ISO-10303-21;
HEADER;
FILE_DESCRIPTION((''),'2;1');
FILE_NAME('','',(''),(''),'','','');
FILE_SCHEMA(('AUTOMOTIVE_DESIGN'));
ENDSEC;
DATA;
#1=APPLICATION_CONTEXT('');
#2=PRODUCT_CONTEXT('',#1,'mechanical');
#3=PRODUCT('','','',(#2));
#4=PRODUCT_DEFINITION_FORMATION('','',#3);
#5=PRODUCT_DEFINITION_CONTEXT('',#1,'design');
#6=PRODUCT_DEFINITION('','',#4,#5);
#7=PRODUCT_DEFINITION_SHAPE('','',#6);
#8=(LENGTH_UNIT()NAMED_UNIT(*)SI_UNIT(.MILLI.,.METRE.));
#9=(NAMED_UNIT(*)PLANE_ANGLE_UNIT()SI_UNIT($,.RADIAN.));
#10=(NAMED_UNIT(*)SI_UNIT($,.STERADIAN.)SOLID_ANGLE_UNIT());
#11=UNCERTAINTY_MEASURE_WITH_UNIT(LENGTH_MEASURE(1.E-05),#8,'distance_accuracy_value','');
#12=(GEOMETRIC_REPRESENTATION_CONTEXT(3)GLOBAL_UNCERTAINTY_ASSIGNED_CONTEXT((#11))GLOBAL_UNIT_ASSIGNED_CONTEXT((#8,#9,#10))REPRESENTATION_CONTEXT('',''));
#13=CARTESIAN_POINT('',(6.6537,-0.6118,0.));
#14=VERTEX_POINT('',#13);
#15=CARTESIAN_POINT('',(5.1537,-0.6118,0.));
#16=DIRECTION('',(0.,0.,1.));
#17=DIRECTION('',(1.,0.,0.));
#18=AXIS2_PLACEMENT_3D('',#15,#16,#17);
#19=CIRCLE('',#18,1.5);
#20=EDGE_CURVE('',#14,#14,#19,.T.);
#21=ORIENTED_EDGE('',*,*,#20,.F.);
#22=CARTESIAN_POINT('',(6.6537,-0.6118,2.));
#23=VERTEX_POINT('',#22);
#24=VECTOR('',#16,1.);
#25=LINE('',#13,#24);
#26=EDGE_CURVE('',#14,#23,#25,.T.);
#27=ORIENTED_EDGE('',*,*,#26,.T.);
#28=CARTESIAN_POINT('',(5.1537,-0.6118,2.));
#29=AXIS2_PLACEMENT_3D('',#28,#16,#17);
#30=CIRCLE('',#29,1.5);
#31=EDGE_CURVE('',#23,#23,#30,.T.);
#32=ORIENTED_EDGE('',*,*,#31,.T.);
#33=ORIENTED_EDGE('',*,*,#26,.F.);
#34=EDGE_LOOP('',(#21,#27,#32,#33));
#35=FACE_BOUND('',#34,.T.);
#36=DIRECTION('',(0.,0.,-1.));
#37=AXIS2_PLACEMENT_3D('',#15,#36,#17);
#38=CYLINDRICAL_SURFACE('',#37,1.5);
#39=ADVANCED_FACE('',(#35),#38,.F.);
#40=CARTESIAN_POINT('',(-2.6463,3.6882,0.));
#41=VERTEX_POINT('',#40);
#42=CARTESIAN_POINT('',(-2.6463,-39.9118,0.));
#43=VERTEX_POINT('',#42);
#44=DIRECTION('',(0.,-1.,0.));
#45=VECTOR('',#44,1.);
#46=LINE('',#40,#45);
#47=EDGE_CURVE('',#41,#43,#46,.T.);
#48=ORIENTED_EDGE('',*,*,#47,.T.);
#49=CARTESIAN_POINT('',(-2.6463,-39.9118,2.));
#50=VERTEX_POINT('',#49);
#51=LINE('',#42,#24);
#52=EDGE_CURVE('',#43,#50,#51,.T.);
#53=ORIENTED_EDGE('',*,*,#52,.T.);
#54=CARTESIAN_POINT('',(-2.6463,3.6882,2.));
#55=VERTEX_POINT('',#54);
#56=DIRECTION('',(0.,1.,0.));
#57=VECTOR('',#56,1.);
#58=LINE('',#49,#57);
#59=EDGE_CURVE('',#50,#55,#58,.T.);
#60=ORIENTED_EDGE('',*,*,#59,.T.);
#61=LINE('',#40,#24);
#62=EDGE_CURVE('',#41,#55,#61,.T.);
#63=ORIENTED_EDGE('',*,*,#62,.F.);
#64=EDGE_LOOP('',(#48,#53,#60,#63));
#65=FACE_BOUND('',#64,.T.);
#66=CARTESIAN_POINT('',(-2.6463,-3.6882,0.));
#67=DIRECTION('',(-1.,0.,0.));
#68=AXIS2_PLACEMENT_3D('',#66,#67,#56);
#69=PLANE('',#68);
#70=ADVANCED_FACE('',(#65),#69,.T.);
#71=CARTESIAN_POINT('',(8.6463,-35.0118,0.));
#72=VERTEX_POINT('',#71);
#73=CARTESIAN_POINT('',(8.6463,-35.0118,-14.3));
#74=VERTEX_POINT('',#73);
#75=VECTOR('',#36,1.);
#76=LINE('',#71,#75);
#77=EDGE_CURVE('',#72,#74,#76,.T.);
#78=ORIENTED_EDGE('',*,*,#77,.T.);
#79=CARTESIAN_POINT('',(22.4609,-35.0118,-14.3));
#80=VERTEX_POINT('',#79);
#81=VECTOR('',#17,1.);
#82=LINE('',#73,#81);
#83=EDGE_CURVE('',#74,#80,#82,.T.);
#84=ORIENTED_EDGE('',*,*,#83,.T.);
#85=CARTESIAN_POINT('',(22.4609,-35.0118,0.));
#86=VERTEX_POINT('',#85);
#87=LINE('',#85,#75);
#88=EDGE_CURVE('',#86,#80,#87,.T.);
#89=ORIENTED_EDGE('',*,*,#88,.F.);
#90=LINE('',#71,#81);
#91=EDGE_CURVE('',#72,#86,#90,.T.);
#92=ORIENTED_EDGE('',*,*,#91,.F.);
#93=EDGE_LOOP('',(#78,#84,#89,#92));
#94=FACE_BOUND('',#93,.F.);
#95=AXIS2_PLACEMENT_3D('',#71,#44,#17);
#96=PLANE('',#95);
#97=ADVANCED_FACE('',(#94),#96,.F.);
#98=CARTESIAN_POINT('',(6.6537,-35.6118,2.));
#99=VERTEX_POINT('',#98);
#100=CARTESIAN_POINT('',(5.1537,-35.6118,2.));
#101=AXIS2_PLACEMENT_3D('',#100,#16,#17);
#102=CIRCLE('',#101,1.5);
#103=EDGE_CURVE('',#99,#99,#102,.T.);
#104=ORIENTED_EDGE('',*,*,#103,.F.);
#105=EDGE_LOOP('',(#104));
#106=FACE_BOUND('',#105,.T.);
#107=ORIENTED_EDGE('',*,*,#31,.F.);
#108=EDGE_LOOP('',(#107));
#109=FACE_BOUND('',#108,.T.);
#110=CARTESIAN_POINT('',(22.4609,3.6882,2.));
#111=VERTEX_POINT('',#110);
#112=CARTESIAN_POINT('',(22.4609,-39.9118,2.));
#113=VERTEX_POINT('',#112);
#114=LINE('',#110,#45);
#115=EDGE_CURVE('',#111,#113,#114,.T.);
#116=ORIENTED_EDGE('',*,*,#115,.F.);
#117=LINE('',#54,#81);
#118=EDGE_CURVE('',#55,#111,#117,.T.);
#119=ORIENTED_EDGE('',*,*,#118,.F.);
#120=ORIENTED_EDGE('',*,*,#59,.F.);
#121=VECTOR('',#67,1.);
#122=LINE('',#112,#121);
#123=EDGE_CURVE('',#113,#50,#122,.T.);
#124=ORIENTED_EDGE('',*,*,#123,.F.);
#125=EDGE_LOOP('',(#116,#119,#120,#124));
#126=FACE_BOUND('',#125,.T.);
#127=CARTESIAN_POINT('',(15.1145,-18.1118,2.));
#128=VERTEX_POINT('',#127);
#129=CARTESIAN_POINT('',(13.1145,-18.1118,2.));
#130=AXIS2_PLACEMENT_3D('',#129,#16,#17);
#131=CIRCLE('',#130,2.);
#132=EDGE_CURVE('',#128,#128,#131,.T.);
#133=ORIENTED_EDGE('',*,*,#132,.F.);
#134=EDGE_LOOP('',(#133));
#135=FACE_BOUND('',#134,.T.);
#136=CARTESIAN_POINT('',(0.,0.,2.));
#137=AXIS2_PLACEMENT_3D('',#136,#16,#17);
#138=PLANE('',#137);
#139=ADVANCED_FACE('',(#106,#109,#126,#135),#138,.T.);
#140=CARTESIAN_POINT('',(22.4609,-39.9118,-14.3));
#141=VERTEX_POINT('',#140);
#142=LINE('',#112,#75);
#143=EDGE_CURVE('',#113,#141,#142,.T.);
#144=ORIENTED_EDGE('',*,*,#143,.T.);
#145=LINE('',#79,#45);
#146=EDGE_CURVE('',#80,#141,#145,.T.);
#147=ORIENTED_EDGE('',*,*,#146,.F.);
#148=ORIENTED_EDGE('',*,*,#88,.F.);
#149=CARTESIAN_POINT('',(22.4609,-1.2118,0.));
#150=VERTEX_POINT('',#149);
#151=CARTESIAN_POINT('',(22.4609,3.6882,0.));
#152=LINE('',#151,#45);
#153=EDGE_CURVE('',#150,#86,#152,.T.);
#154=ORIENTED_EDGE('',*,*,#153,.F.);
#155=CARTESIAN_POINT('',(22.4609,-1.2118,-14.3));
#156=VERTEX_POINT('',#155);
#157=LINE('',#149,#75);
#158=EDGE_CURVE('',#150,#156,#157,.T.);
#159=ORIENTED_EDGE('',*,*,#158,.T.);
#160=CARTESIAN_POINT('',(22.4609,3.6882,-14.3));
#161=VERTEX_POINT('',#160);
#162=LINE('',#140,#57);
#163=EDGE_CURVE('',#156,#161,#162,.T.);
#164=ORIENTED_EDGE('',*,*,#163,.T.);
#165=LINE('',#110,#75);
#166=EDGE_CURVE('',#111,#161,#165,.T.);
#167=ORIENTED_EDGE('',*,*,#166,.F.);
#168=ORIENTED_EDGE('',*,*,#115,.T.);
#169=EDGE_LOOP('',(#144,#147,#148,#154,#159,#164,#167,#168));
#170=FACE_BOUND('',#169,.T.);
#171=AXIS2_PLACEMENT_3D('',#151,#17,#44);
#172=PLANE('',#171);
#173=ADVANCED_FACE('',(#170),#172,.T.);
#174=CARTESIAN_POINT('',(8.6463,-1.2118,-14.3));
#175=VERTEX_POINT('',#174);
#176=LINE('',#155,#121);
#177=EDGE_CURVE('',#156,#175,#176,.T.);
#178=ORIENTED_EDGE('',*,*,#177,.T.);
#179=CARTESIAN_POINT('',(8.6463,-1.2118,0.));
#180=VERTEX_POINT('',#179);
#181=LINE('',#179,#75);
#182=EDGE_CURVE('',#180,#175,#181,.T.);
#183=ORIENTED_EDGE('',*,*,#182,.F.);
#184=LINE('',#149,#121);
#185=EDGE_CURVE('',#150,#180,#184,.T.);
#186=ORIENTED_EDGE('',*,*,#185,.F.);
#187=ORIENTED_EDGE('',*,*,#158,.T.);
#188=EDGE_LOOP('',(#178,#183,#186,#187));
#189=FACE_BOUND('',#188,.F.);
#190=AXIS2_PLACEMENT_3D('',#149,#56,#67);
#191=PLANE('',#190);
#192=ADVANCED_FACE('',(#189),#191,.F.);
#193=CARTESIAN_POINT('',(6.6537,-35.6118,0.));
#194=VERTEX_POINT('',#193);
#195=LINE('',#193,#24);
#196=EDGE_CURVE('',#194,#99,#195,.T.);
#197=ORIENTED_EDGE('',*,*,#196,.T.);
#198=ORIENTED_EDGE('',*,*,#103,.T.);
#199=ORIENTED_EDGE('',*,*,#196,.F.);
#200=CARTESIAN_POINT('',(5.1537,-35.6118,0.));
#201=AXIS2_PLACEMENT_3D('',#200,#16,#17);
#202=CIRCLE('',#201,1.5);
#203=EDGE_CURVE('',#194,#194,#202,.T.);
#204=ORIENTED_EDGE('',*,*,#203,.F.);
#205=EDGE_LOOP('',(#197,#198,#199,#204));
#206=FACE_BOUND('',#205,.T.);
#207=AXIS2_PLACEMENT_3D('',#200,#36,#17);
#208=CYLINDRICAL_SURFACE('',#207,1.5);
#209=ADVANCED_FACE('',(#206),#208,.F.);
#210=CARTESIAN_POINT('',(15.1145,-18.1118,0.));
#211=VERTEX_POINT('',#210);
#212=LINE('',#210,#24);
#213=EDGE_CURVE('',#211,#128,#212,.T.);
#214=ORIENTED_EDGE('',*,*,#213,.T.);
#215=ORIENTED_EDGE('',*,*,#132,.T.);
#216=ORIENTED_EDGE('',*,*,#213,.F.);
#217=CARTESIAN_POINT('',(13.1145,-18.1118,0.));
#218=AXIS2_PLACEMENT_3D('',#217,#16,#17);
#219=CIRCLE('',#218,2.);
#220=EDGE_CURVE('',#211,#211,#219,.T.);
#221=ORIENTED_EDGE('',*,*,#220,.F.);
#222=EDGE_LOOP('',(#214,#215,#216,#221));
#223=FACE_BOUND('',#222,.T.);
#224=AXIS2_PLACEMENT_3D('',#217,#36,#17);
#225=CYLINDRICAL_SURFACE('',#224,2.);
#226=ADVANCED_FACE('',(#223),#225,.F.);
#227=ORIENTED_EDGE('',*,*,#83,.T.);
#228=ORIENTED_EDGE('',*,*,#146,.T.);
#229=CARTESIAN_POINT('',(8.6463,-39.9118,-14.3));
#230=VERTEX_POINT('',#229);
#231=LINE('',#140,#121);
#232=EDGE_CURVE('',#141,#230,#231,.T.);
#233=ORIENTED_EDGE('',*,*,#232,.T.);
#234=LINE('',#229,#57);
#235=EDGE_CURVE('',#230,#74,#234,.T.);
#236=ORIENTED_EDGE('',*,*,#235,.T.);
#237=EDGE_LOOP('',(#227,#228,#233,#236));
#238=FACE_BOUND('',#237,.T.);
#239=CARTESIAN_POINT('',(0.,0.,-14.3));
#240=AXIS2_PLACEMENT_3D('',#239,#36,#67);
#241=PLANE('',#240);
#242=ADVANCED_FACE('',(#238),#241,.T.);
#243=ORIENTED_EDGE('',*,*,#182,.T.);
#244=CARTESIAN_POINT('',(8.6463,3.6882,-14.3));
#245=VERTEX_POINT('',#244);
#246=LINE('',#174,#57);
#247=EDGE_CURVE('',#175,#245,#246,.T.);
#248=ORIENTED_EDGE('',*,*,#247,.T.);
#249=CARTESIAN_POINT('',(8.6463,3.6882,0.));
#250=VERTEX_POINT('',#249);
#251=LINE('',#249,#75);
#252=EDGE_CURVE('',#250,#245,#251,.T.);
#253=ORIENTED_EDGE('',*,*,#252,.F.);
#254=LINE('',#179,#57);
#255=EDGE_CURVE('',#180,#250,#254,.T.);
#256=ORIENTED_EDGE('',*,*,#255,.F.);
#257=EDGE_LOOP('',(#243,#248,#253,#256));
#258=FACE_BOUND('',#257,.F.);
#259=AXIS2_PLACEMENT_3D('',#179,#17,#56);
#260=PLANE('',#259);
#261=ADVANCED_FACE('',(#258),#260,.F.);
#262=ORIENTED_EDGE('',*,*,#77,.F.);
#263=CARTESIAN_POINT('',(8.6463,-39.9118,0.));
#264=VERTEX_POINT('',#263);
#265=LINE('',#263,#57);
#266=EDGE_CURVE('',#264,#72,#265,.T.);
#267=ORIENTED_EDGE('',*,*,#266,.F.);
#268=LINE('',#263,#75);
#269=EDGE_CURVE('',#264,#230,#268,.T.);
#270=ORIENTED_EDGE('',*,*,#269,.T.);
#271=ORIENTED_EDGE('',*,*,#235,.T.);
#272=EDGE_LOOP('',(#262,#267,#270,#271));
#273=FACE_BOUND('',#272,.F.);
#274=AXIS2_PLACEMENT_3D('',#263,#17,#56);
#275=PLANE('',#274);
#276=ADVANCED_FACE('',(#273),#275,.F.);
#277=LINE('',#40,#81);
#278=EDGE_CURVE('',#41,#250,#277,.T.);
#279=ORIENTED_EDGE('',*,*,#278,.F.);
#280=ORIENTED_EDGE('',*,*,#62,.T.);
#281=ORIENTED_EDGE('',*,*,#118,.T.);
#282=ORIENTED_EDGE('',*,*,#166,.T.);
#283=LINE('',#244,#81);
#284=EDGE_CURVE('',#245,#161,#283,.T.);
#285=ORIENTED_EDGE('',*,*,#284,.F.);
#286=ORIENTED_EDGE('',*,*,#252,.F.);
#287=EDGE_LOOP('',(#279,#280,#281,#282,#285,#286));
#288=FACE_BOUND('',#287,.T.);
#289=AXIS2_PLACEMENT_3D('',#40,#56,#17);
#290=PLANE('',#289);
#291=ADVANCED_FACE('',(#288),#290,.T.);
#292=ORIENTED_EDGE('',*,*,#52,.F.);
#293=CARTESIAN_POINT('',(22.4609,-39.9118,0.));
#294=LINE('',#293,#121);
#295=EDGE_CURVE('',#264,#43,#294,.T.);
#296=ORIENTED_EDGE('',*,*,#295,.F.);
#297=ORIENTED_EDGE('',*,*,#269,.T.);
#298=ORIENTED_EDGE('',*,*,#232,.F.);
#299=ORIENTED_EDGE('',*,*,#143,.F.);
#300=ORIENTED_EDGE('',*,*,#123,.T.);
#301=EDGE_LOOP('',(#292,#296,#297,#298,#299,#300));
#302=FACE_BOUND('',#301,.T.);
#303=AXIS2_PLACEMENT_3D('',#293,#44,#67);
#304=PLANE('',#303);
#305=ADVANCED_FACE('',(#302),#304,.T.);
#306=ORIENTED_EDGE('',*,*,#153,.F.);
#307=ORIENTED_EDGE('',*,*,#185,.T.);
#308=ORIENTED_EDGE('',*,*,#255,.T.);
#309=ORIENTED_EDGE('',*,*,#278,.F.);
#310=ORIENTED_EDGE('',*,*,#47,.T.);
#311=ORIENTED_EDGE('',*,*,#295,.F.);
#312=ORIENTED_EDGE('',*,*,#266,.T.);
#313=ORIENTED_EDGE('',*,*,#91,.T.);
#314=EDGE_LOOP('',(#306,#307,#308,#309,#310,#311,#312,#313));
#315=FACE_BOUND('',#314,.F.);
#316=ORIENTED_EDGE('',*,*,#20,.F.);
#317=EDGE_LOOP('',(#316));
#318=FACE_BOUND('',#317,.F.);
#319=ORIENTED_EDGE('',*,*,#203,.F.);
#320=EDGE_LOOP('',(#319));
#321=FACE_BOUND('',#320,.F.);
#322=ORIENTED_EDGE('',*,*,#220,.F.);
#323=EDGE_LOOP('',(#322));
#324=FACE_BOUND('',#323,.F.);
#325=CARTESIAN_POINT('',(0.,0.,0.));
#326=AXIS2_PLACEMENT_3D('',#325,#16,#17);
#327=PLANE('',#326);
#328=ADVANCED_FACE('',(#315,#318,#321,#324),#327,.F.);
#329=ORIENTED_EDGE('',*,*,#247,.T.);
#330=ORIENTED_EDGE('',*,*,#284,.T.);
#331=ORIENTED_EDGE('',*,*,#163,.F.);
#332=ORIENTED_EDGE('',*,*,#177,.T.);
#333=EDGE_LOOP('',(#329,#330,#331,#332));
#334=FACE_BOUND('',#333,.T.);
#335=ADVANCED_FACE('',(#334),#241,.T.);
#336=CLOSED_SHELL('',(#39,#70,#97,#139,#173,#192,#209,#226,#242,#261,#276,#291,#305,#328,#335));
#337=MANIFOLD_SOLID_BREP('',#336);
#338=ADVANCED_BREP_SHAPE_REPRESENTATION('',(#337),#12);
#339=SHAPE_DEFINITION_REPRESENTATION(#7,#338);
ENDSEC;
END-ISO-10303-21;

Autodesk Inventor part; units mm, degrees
ref_plane "YZ Plane" through (0, 0, 0) normal (1, 0, 0) x (0, 1, 0)
sketch "Sketch1" plane through (0, 0, 0) normal (0, 0, 1) x (1, 0, 0)
  line L0 (8.6463, -3.6882) -> (-2.6463, -3.6882) construction
  line L1 (8.6463, 3.6882) -> (8.6463, -3.6882) construction
  line L2 (-2.6463, 3.6882) -> (8.6463, 3.6882) construction
  circle A0 centre (5.1537, -0.6118) radius 1.4 construction
  line L3 (-2.6463, -39.9118) -> (8.6463, -39.9118) construction
  line L4 (8.6463, -39.9118) -> (8.6463, -32.5353) construction
  line L5 (8.6463, -32.5353) -> (-2.6463, -32.5353) construction
  circle A1 centre (5.1537, -35.6118) radius 1.4 construction
  line L6 (8.6463, -35.0118) -> (8.6463, -39.9118) construction
  line L7 (8.6463, -39.9118) -> (25.0537, -39.9118) construction
  line L8 (74.7537, -39.9118) -> (74.7537, -34.8118) construction
  line L9 (74.7537, -34.8118) -> (70.7537, -34.8118) construction
  line L10 (70.7537, -34.8118) -> (70.7537, -35.0118) construction
  line L11 (23.2537, -35.0118) -> (8.6463, -35.0118) construction
  line L12 (8.6463, 3.6882) -> (8.6463, -1.2118) construction
  line L13 (8.6463, -1.2118) -> (23.2537, -1.2118) construction
  line L14 (70.7537, -1.2118) -> (70.7537, -1.4118) construction
  line L15 (70.7537, -1.4118) -> (74.7537, -1.4118) construction
  line L16 (74.7537, -1.4118) -> (74.7537, 3.6882) construction
  line L17 (25.0537, 3.6882) -> (8.6463, 3.6882) construction
  line L18 (19.9537, -11.1118) -> (9.9537, -11.1118) construction
  line L19 (9.9537, -16.4118) -> (9.9537, -11.1118) construction
  line L20 (19.9537, -16.4118) -> (9.9537, -16.4118) construction
  line L21 (19.9537, -16.4118) -> (19.9537, -11.1118) construction
  line L22 (-2.6463, 3.6882) -> (22.4609, 3.6882)
  line L23 (22.4609, 3.6882) -> (22.4609, -39.9118)
  line L24 (22.4609, -39.9118) -> (-2.6463, -39.9118)
  line L25 (-2.6463, -39.9118) -> (-2.6463, 3.6882)
  circle A2 centre (5.1537, -0.6118) radius 1.5
  circle A3 centre (5.1537, -35.6118) radius 1.5
  line L26 (14.5908, -13.5618) -> (14.5908, -11.1118) construction
  line L27 (11.6908, -13.5618) -> (11.6908, -11.1118) construction
  line L28 (14.5908, -25.1118) -> (14.5908, -22.6618) construction
  line L29 (11.6908, -25.1118) -> (11.6908, -22.6618) construction
  circle A4 centre (13.1145, -18.1118) radius 2
  line L30 (-2.6463, -32.5353) -> (-2.6463, -39.9118) projected
  line L31 (34.9537, -32.1118) -> (26.1537, -32.1118) projected
  line L32 (23.2537, -35.0118) -> (26.1537, -32.1118) projected
  line L33 (25.0537, -39.9118) -> (25.0537, -39.3319) projected
  line L34 (26.7161, -37.6695) -> (25.0537, -39.3319) projected
  arc A5 (27.8115, -36.5741) -> (26.7161, -37.6695) centre (28.2537, -38.1118) ccw projected
  line L35 (29.4557, -34.9299) -> (27.8115, -36.5741) projected
  line L36 (36.8518, -34.9299) -> (29.4557, -34.9299) projected
  line L37 (38.496, -36.5741) -> (36.8518, -34.9299) projected
  arc A6 (39.5914, -37.6695) -> (38.496, -36.5741) centre (38.0537, -38.1118) ccw projected
  line L38 (41.2537, -39.3319) -> (39.5914, -37.6695) projected
  line L39 (41.2537, -39.3319) -> (41.2537, -39.9118) projected
  line L40 (41.2537, -39.9118) -> (74.7537, -39.9118) projected
  line L41 (70.7537, -35.0118) -> (44.2537, -35.0118) projected
  line L42 (41.2537, -32.0118) -> (44.2537, -35.0118) projected
  line L43 (34.9537, -32.0118) -> (41.2537, -32.0118) projected
  line L44 (34.9537, -32.0118) -> (34.9537, -32.1118) projected
  line L45 (34.9537, -4.1118) -> (34.9537, -4.2118) projected
  line L46 (34.9537, -4.2118) -> (41.2537, -4.2118) projected
  line L47 (41.2537, -4.2118) -> (44.2537, -1.2118) projected
  line L48 (44.2537, -1.2118) -> (70.7537, -1.2118) projected
  line L49 (74.7537, 3.6882) -> (41.2537, 3.6882) projected
  line L50 (41.2537, 3.6882) -> (41.2537, 3.1083) projected
  line L51 (41.2537, 3.1083) -> (39.5914, 1.446) projected
  arc A7 (38.496, 0.3506) -> (39.5914, 1.446) centre (38.0537, 1.8882) ccw projected
  line L52 (38.496, 0.3506) -> (36.8518, -1.2936) projected
  line L53 (36.8518, -1.2936) -> (29.4557, -1.2936) projected
  line L54 (29.4557, -1.2936) -> (27.8115, 0.3506) projected
  arc A8 (26.7161, 1.446) -> (27.8115, 0.3506) centre (28.2537, 1.8882) ccw projected
  line L55 (26.7161, 1.446) -> (25.0537, 3.1083) projected
  line L56 (25.0537, 3.1083) -> (25.0537, 3.6882) projected
  line L57 (23.2537, -1.2118) -> (26.1537, -4.1118) projected
  line L58 (26.1537, -4.1118) -> (34.9537, -4.1118) projected
  line L59 (-2.6463, 3.6882) -> (-2.6463, -3.6882) projected
  point P0 (0, 0)
  dimension "d0" = 0.1
  dimension "d1" = 0.1
  dimension "d2" = 4
extrude "Extrusion1" add sketch "Sketch1" along normal blind 2
sketch "Sketch2" plane through (0, 0, 0) normal (0, 0, -1) x (-1, 0, 0)
  circle A0 centre (-13.1145, -18.1118) radius 2 construction
  circle A1 centre (-5.1537, -35.6118) radius 1.5 construction
  circle A2 centre (-5.1537, -0.6118) radius 1.5 construction
  line L0 (2.6463, 3.6882) -> (-22.4609, 3.6882) construction
  line L1 (-22.4609, 3.6882) -> (-22.4609, -39.9118) construction
  line L2 (-22.4609, -39.9118) -> (2.6463, -39.9118) construction
  line L3 (2.6463, -39.9118) -> (2.6463, 3.6882) construction
  line L4 (-8.6463, 3.6882) -> (-8.6463, -3.6882) construction
  line L5 (-8.6463, -39.9118) -> (-8.6463, -32.5353) construction
  line L6 (-8.6463, -1.2118) -> (-23.2537, -1.2118) construction
  line L7 (-8.6463, -35.0118) -> (-23.2537, -35.0118) construction
  line L8 (-22.4609, -39.9118) -> (-8.6463, -39.9118)
  line L9 (-8.6463, -39.9118) -> (-8.6463, -35.0118)
  line L10 (-8.6463, -35.0118) -> (-22.4609, -35.0118)
  line L11 (-22.4609, -35.0118) -> (-22.4609, -39.9118)
  line L12 (-22.4609, -39.9118) -> (-22.4609, 3.6882) projected
  line L13 (-22.4609, -1.2118) -> (-8.6463, -1.2118)
  line L14 (-8.6463, -1.2118) -> (-8.6463, 3.6882)
  line L15 (-8.6463, 3.6882) -> (-22.4609, 3.6882)
  line L16 (-22.4609, 3.6882) -> (-22.4609, -1.2118)
  point P0 (0, 0)
ref_plane "Work Plane1" through (8.6463, -1.4118, -16.3) normal (0, 0, 1) x (1, 0, 0)
ref_plane "Work Plane2" through (8.6463, -39.9118, -14.3) normal (0, 0, 1) x (1, 0, 0)
extrude "Extrusion2" add sketch "Sketch2" along normal up to surface (14.3 mm away)
properties part number "20_focus_inlet_plate_bottom"
